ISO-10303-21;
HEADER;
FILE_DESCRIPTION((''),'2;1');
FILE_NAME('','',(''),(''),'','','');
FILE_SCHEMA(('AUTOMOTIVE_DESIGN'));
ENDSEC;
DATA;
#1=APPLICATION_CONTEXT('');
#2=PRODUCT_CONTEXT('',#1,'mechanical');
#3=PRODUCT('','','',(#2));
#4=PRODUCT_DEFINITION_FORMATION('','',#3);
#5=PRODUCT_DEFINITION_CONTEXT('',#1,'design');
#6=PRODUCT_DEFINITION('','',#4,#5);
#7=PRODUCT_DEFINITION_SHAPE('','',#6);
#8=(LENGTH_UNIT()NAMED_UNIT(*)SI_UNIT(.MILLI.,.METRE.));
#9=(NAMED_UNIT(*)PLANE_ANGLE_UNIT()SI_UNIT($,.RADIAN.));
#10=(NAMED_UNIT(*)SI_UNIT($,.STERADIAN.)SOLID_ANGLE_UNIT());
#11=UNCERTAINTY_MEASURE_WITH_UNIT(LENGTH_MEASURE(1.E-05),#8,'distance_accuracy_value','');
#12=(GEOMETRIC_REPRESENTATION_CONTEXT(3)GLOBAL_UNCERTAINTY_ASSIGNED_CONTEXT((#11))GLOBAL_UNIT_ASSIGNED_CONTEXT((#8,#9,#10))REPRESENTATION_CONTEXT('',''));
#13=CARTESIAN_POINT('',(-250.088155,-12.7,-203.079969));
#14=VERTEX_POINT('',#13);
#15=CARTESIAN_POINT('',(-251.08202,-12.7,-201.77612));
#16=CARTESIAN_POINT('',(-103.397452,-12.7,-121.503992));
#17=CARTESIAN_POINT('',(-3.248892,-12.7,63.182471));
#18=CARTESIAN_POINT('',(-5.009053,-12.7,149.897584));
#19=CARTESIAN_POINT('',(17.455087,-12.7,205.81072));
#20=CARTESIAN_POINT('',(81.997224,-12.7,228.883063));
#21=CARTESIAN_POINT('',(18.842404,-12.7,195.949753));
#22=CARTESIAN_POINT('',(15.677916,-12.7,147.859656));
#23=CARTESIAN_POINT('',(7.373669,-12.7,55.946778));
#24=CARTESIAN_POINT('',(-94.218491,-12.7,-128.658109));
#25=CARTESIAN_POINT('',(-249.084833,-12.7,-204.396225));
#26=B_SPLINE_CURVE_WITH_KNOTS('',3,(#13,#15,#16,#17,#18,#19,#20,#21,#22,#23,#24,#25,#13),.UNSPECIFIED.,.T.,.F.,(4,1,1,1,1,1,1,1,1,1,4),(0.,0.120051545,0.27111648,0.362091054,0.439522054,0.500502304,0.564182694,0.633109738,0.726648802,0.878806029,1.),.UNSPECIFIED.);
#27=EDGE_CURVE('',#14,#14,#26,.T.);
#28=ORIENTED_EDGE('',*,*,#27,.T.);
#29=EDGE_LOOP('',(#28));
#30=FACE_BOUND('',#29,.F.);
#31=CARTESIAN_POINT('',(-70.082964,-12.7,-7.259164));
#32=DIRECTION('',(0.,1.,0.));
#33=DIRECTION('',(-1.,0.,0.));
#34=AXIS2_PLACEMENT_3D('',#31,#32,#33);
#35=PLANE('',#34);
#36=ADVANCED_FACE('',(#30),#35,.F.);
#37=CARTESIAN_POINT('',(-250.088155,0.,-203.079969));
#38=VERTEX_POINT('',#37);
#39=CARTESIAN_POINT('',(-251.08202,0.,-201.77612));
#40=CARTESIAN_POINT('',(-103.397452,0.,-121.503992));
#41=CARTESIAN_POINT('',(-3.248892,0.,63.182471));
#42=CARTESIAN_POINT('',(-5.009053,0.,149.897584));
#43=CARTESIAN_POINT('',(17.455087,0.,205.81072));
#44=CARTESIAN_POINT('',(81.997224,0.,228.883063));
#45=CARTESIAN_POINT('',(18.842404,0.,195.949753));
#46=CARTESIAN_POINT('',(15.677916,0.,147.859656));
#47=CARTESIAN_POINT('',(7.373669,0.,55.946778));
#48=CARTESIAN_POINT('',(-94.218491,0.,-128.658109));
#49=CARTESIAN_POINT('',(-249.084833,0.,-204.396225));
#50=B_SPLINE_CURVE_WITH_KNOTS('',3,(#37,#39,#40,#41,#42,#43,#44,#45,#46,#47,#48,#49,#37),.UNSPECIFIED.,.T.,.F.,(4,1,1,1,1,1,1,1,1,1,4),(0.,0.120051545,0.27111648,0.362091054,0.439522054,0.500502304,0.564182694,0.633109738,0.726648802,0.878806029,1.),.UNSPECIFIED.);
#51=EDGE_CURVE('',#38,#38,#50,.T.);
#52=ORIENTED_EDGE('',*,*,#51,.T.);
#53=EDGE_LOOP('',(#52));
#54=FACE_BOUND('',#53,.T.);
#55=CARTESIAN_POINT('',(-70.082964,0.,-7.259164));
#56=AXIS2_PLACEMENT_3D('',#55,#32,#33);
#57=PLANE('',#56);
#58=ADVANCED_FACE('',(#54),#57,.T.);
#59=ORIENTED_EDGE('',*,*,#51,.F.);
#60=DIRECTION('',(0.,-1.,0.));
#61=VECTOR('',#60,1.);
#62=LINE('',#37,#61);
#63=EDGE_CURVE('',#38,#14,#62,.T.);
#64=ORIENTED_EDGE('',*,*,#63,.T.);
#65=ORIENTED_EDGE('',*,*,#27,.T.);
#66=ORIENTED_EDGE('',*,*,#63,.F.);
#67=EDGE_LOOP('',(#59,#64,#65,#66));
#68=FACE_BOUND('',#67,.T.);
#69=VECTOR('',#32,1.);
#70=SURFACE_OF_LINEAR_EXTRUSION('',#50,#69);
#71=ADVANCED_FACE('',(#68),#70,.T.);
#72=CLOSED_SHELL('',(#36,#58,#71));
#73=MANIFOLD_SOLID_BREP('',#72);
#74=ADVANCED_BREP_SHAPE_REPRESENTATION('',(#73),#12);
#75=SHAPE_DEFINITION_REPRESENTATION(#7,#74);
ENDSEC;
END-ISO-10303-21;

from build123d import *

# Parameters (mm, degrees)
F1_DEPTH = 12.7


with BuildPart() as f1:
    # F0 (on Front) → F1 (new body)
    with BuildSketch(Plane.XZ):
        with BuildLine():
            add(Edge.make_bspline(
                [(-250.0881552696, -203.0799686909), (-251.0820198852, -201.7761201829), (-103.3974517421, -121.5039919298), (-3.2488921562, 63.1824711726), (-5.0090527451, 149.8975841371), (17.4550873316, 205.8107200742), (81.9972235343, 228.8830629397), (18.8424038822, 195.9497531192), (15.6779156854, 147.8596556162), (7.3736690298, 55.9467784161), (-94.2184912477, -128.6581088503), (-249.0848329111, -204.3962247881), (-250.0881552696, -203.0799686909)],
                knots=[0, 0, 0, 0, 0.1200515447, 0.2711164799, 0.3620910537, 0.4395220535, 0.5005023038, 0.5641826936, 0.633109738, 0.7266488021, 0.8788060294, 1, 1, 1, 1], degree=3))
        make_face()
    extrude(amount=F1_DEPTH)


solid = f1.part
